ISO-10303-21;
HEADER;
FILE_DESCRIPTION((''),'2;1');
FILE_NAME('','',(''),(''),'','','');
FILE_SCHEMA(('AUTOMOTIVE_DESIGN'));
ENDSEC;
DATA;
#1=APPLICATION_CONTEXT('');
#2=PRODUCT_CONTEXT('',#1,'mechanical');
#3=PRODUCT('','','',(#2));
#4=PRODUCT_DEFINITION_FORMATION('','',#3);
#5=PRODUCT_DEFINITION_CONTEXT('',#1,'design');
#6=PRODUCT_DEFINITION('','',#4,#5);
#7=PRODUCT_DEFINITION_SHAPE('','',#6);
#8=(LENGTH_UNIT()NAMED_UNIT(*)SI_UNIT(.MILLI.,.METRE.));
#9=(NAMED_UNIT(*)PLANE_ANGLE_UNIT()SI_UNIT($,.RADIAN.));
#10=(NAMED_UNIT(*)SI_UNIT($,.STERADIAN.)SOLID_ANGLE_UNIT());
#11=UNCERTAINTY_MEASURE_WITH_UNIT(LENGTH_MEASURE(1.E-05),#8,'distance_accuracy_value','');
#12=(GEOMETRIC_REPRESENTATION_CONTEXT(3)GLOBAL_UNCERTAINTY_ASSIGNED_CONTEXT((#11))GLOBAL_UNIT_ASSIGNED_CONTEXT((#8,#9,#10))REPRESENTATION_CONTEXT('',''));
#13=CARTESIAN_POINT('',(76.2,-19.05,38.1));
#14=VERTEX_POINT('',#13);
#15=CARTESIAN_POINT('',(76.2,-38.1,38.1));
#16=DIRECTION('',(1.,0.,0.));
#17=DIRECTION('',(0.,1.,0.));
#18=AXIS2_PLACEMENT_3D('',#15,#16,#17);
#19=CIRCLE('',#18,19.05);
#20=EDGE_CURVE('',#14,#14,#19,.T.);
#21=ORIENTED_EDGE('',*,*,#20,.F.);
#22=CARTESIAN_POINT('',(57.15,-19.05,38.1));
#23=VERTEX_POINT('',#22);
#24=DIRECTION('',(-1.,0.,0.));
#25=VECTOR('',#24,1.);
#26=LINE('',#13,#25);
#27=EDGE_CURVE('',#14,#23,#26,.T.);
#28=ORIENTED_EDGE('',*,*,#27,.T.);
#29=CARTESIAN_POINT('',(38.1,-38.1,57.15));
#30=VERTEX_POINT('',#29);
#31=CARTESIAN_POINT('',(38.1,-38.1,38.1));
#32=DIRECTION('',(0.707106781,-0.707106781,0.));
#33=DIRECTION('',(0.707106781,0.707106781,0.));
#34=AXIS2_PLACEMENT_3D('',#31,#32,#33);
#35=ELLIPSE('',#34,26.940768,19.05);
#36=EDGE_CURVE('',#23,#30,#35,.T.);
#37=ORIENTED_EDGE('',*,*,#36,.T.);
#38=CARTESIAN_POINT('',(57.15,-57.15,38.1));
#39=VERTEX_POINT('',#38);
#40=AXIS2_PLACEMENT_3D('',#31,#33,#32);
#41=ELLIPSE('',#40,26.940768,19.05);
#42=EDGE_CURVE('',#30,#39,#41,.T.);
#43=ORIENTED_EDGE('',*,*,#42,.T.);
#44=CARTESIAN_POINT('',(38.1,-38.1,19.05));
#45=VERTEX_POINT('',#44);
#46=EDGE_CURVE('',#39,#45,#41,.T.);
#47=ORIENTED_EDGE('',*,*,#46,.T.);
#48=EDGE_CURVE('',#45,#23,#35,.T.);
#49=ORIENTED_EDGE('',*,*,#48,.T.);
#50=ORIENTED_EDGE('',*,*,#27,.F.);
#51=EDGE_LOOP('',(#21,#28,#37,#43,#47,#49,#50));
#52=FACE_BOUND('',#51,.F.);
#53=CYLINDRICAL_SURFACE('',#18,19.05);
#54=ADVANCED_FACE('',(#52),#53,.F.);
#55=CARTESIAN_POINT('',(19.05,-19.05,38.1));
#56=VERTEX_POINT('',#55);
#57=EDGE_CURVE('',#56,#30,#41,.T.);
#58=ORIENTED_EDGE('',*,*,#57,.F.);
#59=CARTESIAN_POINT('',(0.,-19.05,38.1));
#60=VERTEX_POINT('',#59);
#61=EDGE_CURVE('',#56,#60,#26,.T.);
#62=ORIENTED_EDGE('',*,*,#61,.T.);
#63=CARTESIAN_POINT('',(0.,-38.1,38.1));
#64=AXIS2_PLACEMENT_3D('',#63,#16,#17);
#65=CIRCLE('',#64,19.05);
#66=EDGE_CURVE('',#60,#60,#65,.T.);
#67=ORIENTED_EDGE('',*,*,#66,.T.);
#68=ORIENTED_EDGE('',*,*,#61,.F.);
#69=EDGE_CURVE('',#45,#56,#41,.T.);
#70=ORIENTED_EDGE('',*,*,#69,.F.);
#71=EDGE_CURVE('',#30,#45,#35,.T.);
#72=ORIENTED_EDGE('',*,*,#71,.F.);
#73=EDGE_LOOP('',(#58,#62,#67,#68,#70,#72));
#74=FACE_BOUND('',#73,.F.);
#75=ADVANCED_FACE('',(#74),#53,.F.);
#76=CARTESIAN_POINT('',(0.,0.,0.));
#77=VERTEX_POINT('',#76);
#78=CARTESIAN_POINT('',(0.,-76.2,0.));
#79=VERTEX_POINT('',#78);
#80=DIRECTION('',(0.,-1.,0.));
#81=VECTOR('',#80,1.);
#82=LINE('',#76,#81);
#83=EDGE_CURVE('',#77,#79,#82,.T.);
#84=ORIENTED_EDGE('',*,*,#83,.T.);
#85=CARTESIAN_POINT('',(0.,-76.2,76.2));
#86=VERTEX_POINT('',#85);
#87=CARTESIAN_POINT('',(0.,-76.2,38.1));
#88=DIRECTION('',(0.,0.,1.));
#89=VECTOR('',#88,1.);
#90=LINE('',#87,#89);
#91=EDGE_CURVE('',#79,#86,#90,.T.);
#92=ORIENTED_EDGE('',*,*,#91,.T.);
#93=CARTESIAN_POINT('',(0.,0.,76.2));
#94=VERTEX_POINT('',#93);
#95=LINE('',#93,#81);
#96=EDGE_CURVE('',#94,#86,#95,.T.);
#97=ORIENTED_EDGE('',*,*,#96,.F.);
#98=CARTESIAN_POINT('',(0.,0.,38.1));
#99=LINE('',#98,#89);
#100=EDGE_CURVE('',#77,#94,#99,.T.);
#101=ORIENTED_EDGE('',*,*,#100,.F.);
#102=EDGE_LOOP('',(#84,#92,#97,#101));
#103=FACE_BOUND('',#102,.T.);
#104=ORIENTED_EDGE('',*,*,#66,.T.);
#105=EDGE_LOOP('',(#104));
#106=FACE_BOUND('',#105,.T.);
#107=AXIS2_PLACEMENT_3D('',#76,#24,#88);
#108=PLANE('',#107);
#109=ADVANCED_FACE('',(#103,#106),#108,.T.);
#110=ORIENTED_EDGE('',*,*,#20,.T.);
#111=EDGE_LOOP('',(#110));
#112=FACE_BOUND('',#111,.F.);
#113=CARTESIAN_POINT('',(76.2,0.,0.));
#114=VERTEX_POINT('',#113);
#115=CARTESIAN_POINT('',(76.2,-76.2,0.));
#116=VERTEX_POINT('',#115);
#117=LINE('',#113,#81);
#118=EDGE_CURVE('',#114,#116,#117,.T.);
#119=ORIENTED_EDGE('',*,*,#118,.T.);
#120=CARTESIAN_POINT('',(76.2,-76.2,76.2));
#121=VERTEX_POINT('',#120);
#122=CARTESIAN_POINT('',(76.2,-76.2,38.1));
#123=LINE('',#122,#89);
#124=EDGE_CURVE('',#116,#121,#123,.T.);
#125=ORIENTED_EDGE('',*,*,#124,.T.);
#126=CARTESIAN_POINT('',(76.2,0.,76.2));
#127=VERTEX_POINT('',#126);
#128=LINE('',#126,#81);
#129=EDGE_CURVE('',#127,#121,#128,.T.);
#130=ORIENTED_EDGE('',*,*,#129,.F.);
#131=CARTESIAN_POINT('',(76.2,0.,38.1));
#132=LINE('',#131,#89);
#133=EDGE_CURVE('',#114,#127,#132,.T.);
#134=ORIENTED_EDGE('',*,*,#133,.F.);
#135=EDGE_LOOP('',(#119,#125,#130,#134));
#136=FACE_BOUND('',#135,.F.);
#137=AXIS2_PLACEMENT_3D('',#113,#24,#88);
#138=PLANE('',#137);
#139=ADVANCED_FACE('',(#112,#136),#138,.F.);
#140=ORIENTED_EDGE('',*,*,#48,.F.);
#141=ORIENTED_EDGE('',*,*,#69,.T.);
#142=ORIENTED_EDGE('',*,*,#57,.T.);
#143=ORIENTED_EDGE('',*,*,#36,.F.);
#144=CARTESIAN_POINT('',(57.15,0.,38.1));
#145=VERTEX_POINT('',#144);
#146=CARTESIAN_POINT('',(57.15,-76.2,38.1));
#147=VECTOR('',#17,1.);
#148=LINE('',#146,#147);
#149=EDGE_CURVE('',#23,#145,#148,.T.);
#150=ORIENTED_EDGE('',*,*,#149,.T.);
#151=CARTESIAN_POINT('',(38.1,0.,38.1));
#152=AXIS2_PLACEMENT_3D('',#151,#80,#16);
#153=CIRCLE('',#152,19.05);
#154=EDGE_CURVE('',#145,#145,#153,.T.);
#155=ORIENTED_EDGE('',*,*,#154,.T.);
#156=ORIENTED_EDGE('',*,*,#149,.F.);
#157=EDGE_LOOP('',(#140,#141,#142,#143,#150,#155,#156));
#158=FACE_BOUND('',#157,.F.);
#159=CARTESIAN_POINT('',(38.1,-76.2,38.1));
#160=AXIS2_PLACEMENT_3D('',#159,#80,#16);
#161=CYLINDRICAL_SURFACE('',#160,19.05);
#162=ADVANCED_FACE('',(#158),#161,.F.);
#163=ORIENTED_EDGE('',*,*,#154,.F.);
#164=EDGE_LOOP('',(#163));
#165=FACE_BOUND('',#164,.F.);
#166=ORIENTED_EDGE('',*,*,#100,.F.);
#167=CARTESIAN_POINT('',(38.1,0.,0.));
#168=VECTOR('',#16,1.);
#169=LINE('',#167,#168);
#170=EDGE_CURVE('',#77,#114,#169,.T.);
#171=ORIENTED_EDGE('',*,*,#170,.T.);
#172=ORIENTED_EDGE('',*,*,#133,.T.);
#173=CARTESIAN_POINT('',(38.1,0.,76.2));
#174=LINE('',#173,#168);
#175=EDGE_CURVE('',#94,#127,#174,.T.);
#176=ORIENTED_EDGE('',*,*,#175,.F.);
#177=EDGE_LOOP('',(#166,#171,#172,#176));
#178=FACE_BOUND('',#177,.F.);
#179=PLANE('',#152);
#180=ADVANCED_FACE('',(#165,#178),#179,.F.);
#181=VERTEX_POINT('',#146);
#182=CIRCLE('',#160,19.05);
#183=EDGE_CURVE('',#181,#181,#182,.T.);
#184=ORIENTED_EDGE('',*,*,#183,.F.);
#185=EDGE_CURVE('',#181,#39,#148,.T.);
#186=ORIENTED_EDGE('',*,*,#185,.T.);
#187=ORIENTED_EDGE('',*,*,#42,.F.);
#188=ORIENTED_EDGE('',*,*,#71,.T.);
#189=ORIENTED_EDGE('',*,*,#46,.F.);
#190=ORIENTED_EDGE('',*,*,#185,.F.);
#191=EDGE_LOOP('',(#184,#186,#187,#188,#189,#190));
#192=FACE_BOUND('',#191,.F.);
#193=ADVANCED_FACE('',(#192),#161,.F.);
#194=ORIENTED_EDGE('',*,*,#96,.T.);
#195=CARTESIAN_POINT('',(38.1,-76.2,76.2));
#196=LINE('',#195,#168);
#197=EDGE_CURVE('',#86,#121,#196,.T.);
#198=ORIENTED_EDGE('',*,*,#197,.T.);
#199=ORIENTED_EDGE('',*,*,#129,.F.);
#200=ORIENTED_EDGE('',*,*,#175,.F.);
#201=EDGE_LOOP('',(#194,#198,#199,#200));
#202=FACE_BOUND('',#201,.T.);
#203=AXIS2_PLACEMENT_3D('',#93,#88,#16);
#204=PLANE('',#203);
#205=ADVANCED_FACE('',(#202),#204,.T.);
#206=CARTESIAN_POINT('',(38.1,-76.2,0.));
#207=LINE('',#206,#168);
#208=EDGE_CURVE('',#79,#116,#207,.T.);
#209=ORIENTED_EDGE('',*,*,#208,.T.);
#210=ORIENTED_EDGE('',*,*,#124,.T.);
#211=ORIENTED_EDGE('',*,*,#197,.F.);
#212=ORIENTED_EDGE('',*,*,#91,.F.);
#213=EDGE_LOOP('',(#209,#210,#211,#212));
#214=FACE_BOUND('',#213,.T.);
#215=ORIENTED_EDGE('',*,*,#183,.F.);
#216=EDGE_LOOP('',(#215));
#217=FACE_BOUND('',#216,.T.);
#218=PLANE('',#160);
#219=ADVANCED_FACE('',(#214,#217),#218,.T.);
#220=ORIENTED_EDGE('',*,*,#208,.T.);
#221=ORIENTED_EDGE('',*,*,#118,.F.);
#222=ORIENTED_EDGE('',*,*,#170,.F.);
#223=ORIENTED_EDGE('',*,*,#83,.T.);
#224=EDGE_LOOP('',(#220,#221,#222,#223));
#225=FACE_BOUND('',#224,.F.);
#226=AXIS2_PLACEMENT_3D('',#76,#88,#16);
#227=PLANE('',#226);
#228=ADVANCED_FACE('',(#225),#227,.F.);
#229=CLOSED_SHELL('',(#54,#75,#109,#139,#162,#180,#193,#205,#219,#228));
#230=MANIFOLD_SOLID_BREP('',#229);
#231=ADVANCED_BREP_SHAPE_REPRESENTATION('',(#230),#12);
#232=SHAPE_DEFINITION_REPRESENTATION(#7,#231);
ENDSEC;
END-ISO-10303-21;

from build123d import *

# Parameters (mm, degrees)
F0_W     = 76.2
F0_H     = 76.2
F1_DEPTH = 76.2
F2_R     = 19.05
F3_DEPTH = 76.201
F4_R     = 19.05
F5_DEPTH = 76.2


with BuildPart() as f1:
    # F0 (on Front) → F1 (new body)
    with BuildSketch(Plane.XZ):
        with Locations((38.1, 38.1)):
            Rectangle(F0_W, F0_H)
    extrude(amount=F1_DEPTH)

    # F2 (on face) → F3 (cut, through all)
    with BuildSketch(Plane.YZ.offset(76.2)):
        with Locations((-38.1, 38.1)):
            Circle(F2_R)
    extrude(amount=-F3_DEPTH, mode=Mode.SUBTRACT)

    # F4 (on face) → F5 (cut)
    with BuildSketch(Plane.XZ.offset(76.2)):
        with Locations((38.1, 38.1)):
            Circle(F4_R)
    extrude(amount=-F5_DEPTH, mode=Mode.SUBTRACT)


solid = f1.part
